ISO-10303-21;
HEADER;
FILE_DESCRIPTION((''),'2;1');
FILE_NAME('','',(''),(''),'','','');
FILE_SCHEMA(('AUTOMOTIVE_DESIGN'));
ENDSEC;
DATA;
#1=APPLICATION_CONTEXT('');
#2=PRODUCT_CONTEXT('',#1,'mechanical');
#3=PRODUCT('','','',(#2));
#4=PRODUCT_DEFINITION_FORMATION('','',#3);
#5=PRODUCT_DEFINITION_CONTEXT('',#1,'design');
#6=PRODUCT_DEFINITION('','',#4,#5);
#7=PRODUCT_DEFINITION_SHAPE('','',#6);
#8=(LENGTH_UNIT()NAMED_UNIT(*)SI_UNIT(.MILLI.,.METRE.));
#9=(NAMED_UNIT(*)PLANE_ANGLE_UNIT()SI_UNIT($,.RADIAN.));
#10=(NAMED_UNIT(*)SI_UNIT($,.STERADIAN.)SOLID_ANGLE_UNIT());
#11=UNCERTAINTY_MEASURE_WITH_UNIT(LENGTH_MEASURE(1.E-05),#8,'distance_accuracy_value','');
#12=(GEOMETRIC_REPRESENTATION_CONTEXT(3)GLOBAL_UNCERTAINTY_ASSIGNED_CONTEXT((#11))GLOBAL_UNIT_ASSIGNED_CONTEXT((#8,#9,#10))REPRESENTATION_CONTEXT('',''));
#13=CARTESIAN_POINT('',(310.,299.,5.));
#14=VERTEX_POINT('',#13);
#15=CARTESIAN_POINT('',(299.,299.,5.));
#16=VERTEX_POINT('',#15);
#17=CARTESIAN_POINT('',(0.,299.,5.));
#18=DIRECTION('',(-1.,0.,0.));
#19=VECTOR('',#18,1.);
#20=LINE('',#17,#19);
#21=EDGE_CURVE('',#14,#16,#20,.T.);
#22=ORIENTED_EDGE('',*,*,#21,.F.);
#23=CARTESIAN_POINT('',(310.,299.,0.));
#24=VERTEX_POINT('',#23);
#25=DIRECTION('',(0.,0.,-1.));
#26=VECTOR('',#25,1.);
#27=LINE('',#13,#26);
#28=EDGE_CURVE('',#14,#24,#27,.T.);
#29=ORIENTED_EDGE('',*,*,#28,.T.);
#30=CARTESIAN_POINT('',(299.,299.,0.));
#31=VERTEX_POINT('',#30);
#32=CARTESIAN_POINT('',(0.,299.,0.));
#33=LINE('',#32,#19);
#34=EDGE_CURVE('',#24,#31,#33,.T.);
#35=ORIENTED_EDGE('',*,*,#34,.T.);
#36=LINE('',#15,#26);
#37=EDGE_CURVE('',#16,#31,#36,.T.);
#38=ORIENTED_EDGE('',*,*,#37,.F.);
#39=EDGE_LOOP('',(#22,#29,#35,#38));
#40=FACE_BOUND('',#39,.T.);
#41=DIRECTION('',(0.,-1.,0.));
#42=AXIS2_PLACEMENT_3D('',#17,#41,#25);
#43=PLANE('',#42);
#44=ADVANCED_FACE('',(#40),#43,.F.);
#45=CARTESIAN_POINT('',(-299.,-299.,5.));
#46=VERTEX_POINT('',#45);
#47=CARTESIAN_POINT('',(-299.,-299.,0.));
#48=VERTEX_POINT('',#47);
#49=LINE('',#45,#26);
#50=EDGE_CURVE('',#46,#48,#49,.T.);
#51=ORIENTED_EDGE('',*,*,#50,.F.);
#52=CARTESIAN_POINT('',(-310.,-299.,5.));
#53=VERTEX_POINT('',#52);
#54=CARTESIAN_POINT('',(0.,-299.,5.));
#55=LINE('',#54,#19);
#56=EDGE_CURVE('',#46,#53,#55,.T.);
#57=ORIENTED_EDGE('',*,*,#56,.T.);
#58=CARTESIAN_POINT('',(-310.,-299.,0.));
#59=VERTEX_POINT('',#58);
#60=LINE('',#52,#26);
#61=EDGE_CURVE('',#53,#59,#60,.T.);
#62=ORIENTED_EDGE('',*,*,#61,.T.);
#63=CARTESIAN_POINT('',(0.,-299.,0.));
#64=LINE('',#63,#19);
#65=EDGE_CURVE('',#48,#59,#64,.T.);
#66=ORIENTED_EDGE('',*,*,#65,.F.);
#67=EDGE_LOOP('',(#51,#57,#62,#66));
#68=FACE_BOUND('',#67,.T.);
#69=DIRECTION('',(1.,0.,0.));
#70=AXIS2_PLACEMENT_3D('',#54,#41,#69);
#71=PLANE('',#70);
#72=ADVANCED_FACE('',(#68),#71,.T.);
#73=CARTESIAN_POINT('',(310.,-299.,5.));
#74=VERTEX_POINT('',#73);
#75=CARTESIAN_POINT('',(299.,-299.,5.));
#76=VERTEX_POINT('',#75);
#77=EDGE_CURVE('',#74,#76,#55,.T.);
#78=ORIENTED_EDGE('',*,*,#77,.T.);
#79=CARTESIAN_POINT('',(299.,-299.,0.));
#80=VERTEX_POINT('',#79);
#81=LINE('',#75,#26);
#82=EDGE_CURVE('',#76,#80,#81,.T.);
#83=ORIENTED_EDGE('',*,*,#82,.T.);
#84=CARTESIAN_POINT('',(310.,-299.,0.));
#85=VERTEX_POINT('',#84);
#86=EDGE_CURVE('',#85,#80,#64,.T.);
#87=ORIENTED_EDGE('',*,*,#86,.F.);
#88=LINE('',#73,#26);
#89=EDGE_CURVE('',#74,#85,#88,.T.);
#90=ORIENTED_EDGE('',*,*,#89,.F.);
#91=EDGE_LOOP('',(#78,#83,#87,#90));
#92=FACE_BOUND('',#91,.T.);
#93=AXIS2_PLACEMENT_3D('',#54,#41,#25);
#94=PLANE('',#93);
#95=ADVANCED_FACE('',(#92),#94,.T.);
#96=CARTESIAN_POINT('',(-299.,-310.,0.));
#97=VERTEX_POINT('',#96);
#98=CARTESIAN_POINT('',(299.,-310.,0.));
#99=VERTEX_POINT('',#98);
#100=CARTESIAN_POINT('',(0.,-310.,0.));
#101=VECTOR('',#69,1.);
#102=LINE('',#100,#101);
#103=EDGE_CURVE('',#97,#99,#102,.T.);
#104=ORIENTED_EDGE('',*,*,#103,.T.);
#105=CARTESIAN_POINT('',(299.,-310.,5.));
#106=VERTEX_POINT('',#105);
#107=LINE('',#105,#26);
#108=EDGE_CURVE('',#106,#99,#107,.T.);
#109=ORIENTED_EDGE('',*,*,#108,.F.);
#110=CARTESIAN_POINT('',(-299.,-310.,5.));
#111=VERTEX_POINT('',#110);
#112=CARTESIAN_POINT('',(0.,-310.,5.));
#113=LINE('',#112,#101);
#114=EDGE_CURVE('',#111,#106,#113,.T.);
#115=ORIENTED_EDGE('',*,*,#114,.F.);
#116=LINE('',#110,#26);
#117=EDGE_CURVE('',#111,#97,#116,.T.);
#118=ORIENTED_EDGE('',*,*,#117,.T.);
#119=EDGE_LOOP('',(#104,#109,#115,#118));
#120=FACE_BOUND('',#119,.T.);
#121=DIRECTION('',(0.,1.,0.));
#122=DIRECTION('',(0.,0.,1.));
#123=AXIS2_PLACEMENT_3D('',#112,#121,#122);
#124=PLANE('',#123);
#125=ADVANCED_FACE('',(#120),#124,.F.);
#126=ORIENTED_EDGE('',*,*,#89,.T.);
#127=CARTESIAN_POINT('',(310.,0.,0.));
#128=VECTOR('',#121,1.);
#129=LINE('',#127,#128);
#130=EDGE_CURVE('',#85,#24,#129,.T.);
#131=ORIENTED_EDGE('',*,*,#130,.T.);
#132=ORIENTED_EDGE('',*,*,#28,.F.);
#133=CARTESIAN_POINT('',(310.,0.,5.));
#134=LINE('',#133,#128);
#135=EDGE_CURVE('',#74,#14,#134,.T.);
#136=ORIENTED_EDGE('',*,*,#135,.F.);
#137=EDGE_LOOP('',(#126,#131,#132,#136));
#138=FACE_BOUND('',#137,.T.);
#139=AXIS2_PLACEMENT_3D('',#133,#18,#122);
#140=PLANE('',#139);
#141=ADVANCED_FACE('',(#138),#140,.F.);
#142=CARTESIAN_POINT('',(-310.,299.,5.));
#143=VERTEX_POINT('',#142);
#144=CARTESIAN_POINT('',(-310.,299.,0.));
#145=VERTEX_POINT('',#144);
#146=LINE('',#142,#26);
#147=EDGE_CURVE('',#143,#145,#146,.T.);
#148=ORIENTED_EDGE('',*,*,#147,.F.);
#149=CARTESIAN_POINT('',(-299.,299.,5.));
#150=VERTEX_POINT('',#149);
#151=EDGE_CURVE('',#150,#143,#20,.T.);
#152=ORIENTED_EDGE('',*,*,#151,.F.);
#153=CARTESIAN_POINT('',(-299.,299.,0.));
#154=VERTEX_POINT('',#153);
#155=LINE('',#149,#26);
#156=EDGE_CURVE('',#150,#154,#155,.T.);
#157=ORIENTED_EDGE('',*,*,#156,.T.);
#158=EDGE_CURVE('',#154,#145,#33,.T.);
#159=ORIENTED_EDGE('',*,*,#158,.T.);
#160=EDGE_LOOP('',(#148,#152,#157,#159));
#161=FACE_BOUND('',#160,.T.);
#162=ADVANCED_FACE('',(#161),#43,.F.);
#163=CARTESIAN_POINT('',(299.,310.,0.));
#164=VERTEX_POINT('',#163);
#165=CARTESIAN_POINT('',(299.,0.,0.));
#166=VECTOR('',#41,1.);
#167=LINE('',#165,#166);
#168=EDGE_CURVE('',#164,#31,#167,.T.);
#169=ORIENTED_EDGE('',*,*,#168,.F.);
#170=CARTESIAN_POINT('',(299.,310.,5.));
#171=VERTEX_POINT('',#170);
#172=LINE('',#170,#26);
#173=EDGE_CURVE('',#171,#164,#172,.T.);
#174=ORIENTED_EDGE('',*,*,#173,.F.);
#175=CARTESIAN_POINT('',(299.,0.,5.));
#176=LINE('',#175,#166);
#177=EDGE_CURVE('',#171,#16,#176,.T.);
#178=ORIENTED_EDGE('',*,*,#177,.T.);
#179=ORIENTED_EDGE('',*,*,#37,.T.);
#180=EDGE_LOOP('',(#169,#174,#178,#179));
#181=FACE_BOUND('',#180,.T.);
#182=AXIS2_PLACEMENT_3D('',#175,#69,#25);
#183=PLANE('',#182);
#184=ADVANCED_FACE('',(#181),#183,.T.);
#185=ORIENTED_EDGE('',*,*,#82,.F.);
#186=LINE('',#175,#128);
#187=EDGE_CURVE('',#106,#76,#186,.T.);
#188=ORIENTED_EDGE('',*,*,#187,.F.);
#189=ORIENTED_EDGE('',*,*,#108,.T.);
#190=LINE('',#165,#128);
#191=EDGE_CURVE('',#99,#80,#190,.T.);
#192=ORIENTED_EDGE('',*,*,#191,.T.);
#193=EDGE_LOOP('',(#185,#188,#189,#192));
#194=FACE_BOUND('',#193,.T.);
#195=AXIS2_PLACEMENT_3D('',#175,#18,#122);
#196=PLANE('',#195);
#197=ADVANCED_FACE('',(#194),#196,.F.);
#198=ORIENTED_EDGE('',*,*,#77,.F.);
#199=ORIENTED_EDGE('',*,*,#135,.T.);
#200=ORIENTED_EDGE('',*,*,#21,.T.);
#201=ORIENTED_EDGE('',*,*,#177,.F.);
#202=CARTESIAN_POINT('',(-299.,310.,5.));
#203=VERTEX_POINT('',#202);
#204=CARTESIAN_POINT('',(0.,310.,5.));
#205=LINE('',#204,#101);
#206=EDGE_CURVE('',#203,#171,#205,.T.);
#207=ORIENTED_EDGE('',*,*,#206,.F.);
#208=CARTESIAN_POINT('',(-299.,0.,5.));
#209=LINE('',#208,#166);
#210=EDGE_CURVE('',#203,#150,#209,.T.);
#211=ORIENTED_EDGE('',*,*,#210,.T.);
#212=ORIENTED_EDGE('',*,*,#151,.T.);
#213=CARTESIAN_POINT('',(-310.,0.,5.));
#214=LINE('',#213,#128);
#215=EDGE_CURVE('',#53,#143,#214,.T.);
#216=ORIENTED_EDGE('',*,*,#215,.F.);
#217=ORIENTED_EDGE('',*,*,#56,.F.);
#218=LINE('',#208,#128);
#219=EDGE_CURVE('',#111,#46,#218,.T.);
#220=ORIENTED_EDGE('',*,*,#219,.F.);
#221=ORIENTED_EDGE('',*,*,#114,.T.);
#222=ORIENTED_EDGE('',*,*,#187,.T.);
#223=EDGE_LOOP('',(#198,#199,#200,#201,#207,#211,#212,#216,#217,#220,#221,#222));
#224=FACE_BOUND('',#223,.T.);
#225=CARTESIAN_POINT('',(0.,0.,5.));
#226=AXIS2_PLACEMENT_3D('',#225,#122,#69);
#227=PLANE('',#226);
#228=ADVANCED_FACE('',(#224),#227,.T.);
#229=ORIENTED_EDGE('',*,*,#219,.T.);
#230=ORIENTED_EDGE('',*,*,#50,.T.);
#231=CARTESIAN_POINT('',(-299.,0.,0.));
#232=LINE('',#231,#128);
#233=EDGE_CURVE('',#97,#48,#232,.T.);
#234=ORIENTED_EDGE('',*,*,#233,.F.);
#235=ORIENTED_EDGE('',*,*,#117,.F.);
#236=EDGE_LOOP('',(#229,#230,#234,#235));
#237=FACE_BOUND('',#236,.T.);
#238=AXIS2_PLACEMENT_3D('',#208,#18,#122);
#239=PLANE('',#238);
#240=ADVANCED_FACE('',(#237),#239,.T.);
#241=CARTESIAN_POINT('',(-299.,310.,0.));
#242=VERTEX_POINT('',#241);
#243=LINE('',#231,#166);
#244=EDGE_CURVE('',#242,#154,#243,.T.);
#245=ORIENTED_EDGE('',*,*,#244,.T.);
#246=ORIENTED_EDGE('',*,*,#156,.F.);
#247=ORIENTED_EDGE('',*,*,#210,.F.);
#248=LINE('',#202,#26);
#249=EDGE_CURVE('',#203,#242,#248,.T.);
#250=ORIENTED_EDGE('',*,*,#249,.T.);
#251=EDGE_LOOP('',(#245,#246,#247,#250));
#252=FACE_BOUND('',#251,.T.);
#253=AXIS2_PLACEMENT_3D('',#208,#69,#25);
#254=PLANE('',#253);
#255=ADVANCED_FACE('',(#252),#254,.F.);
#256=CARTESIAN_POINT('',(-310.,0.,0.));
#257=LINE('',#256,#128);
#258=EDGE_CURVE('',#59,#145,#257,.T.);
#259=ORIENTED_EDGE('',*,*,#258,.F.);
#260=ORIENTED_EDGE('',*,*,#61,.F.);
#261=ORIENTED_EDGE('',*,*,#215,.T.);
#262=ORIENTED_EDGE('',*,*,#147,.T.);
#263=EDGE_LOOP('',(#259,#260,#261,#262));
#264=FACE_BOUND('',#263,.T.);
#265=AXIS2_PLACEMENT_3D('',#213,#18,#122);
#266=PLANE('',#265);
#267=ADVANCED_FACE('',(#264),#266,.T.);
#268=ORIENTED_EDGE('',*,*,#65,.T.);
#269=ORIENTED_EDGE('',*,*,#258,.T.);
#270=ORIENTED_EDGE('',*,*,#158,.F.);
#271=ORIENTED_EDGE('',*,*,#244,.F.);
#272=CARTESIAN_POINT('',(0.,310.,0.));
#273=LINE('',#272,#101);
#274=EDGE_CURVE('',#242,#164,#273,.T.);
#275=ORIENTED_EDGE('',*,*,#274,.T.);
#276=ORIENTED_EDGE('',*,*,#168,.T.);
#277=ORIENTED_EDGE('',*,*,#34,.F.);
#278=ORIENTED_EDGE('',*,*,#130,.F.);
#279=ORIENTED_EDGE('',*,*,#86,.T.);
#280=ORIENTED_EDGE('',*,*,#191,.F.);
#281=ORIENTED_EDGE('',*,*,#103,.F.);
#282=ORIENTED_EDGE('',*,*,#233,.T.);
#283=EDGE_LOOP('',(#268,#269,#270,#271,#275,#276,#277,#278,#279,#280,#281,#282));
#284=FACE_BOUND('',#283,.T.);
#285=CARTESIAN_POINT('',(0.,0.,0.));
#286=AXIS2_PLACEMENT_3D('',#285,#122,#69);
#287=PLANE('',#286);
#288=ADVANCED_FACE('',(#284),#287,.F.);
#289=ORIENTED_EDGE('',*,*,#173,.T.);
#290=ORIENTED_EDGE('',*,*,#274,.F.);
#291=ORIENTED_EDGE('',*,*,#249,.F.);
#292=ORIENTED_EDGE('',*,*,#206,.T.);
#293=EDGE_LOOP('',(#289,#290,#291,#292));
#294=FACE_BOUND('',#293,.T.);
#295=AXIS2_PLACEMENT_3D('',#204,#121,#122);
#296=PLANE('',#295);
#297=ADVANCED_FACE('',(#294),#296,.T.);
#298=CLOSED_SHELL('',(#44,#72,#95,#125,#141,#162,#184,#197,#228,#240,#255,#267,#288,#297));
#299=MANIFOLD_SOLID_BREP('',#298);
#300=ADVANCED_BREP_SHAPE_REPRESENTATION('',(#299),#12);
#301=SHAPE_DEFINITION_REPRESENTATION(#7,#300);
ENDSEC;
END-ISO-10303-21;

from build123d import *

# Parameters (mm, degrees)
BOSS_EXTRU_1_DEPTH = 5


with BuildPart() as part:
    # Esquisse1 → Boss.-Extru.1 (new body)
    with BuildSketch(Plane.XY):
        Polygon((299, 310), (-299, 310), (-299, 299), (-310, 299), (-310, -299), (-299, -299), (-299, -310), (299, -310), (299, -299), (310, -299), (310, 299), (299, 299), align=None)
    extrude(amount=BOSS_EXTRU_1_DEPTH)


solid = part.part
